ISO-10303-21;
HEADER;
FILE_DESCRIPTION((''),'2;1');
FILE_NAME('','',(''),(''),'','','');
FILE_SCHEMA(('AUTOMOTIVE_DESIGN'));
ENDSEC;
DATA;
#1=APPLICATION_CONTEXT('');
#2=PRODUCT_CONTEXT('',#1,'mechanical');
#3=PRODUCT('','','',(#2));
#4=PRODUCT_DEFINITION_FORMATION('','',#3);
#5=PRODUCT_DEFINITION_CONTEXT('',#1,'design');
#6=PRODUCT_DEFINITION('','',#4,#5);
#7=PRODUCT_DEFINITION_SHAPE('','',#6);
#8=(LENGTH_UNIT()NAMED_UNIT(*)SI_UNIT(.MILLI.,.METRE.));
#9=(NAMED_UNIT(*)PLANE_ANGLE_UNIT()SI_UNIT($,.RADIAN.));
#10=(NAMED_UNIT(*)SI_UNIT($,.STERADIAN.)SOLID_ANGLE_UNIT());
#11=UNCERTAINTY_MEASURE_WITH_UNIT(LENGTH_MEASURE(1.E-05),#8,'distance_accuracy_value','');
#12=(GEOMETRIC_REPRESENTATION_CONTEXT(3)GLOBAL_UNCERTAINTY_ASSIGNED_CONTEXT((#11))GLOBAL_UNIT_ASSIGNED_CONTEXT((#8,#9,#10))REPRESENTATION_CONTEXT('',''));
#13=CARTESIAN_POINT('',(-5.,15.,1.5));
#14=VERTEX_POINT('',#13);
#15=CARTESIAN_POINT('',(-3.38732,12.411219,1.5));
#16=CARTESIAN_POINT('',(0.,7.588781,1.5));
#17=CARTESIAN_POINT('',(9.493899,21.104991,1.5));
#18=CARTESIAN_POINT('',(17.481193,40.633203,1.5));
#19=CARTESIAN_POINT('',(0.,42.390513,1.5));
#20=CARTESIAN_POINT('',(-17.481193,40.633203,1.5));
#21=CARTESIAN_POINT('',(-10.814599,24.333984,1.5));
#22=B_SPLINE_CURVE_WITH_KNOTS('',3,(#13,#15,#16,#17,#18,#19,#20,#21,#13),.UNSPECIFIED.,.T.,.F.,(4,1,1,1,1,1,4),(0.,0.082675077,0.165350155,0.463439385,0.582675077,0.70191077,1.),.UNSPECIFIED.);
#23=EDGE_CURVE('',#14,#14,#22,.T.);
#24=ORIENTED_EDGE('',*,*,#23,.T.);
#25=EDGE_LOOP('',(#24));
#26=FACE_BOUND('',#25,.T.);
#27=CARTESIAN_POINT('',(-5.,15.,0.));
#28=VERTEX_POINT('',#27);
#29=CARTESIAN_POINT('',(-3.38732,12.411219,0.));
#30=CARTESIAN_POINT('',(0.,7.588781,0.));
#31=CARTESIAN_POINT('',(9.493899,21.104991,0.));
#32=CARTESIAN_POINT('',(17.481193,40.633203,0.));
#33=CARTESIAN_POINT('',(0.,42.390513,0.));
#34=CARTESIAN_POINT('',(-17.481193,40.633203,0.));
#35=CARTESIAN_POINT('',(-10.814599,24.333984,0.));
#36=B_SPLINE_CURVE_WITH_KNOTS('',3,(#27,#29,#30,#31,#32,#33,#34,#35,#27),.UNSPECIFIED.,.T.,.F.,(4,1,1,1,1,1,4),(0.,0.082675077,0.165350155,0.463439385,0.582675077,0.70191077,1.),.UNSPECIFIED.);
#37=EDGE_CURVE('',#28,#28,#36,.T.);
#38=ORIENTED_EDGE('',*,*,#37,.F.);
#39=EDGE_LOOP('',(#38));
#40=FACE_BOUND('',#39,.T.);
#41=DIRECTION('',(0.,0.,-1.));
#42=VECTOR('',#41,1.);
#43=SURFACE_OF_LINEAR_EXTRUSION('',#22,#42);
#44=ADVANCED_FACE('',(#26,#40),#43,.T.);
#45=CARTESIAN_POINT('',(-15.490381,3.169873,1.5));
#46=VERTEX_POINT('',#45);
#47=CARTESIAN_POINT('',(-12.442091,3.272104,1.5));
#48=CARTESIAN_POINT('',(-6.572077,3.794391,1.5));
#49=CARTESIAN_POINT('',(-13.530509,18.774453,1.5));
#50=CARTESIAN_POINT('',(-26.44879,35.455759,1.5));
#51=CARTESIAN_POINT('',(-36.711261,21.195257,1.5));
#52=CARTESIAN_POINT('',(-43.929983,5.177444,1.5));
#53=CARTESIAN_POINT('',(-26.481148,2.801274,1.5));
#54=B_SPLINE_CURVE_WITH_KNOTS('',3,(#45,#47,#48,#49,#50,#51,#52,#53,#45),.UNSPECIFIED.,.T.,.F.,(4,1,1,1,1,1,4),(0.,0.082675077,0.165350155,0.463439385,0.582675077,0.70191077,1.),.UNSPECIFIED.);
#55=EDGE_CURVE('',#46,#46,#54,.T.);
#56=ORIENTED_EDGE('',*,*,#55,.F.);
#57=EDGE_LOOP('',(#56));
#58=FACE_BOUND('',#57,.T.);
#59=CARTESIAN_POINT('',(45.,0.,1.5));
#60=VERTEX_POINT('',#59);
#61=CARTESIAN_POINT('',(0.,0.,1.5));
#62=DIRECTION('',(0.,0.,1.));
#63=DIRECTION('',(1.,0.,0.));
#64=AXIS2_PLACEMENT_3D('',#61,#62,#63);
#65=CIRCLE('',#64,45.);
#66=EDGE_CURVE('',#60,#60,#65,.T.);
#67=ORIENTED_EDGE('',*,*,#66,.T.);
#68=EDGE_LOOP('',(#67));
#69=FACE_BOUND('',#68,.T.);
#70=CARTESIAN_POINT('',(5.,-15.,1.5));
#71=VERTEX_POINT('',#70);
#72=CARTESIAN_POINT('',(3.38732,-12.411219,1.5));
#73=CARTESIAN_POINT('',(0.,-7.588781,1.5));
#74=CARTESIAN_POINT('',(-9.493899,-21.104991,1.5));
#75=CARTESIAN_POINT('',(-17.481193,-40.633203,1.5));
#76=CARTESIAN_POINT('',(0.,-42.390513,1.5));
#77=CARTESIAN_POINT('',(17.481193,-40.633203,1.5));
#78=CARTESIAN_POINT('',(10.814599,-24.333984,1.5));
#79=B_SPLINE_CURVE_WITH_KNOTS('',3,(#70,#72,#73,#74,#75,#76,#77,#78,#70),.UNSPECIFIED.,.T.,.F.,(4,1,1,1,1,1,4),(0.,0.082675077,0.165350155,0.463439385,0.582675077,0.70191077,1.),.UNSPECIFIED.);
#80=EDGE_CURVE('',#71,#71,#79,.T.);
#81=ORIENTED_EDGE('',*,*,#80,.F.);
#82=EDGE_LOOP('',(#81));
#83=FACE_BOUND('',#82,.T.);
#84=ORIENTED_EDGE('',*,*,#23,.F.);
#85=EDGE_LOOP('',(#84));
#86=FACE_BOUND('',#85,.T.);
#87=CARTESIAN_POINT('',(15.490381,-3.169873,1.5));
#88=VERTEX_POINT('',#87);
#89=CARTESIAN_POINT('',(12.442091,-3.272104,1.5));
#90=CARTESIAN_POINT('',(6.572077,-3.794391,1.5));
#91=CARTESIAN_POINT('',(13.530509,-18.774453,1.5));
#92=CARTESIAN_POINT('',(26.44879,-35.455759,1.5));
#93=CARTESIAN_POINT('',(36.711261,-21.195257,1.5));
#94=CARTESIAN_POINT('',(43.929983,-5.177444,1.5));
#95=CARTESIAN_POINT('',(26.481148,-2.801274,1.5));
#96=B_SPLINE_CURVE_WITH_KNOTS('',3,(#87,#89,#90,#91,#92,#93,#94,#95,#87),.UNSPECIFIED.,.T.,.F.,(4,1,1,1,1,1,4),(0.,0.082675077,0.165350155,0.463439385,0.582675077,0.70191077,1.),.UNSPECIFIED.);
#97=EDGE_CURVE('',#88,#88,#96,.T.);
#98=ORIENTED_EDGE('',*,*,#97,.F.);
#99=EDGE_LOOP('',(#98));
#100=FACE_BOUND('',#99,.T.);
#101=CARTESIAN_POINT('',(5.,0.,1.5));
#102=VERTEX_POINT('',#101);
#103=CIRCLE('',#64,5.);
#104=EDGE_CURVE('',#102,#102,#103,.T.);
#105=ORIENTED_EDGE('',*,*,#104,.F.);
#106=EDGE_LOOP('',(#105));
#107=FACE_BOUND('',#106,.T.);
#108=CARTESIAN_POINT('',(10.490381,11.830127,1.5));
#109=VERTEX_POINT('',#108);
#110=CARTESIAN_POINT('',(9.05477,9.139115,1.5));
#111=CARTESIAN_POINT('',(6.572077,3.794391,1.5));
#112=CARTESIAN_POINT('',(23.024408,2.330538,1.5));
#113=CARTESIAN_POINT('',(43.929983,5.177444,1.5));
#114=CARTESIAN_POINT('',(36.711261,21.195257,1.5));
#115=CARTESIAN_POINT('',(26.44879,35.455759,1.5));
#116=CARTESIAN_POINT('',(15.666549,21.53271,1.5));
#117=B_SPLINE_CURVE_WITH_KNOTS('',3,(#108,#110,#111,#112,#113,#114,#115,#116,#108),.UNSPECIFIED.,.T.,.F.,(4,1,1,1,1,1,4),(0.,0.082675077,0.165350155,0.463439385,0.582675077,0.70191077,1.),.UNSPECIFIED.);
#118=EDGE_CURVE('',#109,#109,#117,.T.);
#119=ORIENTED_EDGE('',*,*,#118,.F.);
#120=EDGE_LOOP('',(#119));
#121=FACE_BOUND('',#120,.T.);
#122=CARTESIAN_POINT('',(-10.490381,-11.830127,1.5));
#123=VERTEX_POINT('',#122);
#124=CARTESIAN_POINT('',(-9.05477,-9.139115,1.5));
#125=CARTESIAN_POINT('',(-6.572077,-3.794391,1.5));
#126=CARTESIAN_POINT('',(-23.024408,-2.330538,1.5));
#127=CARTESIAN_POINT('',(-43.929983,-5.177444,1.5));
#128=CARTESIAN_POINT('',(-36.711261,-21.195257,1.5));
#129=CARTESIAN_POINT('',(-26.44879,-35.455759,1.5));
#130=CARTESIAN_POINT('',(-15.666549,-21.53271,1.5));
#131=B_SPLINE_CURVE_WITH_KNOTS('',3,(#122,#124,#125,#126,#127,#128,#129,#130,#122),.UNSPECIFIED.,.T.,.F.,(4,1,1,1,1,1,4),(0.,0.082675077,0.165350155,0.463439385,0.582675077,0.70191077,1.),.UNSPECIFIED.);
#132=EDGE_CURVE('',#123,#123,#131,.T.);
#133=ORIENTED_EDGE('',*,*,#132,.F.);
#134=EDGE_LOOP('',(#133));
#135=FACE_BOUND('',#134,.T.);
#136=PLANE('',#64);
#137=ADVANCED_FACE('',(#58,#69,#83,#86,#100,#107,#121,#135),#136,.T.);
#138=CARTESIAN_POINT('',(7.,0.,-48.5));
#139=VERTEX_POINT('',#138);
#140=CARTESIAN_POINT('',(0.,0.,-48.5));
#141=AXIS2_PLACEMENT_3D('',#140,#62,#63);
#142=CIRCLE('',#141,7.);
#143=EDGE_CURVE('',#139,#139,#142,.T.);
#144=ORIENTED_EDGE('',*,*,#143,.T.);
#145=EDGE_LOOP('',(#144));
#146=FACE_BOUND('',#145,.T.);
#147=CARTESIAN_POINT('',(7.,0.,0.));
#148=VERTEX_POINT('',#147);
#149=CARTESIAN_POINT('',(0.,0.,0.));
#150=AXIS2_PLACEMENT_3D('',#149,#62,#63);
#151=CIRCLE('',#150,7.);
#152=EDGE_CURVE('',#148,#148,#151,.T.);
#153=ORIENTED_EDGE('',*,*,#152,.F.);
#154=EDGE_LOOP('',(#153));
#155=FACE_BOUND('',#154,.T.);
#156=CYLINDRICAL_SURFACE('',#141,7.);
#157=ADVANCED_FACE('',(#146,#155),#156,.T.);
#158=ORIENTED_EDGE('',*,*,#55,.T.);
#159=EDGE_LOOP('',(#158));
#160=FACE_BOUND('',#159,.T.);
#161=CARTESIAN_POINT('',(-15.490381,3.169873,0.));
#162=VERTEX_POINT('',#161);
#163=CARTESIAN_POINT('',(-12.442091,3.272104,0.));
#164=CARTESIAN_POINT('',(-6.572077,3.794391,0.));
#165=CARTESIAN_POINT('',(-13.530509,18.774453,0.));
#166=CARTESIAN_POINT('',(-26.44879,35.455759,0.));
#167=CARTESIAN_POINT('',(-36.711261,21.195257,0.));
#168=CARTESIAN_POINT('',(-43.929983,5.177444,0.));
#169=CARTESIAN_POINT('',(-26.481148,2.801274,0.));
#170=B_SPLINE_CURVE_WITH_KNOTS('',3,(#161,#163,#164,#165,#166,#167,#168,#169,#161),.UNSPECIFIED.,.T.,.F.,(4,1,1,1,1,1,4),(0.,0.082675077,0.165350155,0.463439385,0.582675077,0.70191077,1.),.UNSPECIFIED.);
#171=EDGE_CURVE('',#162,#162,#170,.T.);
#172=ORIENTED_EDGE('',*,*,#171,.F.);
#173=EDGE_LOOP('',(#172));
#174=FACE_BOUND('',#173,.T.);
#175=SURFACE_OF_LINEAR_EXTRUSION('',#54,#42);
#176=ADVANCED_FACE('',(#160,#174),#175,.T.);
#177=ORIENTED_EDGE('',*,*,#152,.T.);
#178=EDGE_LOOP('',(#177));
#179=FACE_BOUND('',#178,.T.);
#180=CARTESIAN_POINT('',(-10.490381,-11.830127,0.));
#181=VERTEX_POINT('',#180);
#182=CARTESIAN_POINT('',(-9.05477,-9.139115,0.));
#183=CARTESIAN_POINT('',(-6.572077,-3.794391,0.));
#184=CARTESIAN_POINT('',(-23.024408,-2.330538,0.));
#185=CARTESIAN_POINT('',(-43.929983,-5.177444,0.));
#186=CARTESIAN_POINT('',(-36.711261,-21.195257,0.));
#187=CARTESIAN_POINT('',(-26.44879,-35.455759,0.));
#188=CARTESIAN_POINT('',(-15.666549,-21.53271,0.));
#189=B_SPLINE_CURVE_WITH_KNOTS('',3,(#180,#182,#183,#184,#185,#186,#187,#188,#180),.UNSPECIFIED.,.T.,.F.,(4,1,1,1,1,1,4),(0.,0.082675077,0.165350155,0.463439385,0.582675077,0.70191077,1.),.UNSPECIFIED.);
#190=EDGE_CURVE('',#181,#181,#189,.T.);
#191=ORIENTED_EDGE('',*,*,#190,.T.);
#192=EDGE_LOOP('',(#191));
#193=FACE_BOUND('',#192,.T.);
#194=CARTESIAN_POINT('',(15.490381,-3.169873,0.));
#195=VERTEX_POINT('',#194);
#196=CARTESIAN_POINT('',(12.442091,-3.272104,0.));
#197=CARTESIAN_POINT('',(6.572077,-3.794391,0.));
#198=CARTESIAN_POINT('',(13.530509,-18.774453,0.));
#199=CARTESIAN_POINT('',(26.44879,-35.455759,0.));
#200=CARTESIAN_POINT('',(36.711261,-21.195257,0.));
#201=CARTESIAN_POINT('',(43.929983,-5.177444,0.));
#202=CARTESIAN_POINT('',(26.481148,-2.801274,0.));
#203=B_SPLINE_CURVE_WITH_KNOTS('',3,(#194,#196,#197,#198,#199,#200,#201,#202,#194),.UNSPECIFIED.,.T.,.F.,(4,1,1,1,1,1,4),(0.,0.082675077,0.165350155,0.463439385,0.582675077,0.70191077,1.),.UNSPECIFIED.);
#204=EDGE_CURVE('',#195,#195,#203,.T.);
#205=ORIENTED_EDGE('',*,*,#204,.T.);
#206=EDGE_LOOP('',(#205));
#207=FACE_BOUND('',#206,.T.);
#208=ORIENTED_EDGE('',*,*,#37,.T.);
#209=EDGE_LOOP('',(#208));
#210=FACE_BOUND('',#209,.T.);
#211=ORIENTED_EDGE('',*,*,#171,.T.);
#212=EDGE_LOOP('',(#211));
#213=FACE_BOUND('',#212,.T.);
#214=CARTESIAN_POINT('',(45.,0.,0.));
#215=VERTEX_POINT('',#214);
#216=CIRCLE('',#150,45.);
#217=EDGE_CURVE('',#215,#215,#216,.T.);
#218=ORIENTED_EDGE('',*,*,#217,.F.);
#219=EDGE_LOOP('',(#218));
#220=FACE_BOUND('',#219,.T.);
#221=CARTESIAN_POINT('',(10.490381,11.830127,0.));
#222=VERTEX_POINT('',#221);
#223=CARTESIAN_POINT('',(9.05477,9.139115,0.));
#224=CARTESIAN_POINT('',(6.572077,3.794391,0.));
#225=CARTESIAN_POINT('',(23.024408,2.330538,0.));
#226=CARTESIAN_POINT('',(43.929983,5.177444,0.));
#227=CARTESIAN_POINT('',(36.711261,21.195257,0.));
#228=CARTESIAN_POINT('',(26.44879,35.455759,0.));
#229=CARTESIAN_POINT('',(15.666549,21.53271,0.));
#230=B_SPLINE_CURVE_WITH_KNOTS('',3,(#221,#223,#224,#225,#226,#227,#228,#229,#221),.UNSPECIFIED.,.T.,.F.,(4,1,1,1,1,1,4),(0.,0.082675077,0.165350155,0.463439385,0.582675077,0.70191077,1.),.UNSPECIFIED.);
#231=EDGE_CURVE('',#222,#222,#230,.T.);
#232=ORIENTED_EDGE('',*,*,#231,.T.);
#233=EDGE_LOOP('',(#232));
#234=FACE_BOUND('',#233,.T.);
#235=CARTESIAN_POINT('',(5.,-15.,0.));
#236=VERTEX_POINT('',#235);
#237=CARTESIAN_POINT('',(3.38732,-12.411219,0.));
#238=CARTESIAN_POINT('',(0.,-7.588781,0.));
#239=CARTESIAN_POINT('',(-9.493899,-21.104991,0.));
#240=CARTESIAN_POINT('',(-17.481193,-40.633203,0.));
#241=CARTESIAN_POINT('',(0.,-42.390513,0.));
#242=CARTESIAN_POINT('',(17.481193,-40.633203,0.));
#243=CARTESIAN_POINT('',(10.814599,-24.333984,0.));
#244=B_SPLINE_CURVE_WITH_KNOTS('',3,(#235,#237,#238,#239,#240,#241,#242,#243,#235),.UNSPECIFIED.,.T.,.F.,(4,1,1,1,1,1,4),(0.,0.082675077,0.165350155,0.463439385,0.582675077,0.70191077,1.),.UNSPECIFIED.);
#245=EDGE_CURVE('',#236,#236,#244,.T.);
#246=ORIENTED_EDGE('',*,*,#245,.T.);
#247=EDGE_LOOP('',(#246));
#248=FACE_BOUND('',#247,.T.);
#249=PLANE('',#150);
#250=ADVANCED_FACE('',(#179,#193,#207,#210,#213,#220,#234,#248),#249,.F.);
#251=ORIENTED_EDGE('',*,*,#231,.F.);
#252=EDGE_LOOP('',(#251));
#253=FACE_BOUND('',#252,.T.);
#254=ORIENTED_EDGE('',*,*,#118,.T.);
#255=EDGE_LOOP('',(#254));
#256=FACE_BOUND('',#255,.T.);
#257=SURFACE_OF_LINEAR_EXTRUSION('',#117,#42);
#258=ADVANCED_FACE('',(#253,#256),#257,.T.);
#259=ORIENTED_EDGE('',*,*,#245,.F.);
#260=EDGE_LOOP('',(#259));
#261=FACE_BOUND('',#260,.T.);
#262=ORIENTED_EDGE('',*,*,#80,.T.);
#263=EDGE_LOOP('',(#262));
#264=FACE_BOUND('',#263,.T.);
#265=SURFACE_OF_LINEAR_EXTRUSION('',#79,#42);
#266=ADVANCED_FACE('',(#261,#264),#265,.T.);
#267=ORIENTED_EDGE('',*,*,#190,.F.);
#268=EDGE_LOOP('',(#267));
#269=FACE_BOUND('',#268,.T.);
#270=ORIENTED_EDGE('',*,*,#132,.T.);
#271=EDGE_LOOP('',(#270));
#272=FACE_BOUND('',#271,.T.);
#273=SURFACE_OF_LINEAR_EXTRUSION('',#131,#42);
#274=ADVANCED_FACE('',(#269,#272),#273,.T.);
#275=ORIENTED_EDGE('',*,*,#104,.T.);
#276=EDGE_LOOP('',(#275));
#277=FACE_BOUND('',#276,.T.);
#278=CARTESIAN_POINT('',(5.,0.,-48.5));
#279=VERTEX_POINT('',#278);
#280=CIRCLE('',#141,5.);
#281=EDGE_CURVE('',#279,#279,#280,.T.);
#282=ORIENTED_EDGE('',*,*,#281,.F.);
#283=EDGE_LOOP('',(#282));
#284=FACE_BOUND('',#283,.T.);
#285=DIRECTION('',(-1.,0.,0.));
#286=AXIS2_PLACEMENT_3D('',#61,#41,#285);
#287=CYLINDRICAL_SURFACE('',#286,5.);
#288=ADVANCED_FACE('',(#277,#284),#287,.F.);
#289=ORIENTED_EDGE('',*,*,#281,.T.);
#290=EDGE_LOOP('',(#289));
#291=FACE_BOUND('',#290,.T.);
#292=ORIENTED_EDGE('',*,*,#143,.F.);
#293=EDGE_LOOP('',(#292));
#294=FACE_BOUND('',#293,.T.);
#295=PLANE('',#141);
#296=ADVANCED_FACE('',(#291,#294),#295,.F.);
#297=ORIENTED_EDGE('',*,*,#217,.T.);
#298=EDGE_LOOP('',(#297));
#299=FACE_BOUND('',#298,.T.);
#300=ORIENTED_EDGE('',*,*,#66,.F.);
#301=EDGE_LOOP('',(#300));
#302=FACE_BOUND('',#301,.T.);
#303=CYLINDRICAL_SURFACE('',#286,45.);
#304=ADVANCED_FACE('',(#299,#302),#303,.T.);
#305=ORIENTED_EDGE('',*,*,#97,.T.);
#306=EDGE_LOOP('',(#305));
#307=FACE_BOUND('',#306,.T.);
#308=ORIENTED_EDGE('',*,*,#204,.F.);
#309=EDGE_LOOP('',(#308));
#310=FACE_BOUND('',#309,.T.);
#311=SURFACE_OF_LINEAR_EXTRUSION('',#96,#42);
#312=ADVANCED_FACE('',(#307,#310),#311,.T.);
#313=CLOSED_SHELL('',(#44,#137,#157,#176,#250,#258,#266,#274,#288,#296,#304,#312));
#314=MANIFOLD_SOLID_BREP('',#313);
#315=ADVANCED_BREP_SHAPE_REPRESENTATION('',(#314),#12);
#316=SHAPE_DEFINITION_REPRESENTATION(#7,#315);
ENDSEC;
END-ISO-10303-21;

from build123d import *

# Parameters (mm, degrees)
SKETCH1_R           = 45
SKETCH1_R_2         = 5
BOSS_EXTRUDE1_DEPTH = 1.5
BOSS_EXTRUDE2_START = -50
SKETCH2_R           = 7
SKETCH2_R_2         = 5
BOSS_EXTRUDE2_DEPTH = 50


with BuildPart() as part:
    # Sketch1 → Boss-Extrude1 (new body)
    with BuildSketch(Plane.XY):
        Circle(SKETCH1_R)
        Circle(SKETCH1_R_2, mode=Mode.SUBTRACT)
        with BuildLine():
            add(Edge.make_bspline(
                [(-5, 15), (-10.81459924, 24.333983955), (-17.481193162, 40.633203209), (0, 42.390513369), (17.481193162, 40.633203209), (9.493898899, 21.104991056), (0, 7.588781366), (-3.38732033, 12.411218634), (-5, 15)],
                knots=[0, 0, 0, 0, 0.29808923, 0.417324923, 0.536560615, 0.834649845, 0.917324923, 1, 1, 1, 1], degree=3))
        make_face(mode=Mode.SUBTRACT)
        with BuildLine():
            add(Edge.make_bspline(
                [(10.490381057, 11.830127019), (15.666548661, 21.532709652), (26.448789635, 35.455758972), (36.711261457, 21.195256684), (43.929982797, 5.177444237), (23.024407851, 2.330537901), (6.572077447, 3.794390683), (9.054770464, 9.139114774), (10.490381057, 11.830127019)],
                knots=[0, 0, 0, 0, 0.29808923, 0.417324923, 0.536560615, 0.834649845, 0.917324923, 1, 1, 1, 1], degree=3))
        make_face(mode=Mode.SUBTRACT)
        with BuildLine():
            add(Edge.make_bspline(
                [(15.490381057, -3.169872981), (26.481147901, -2.801274304), (43.929982797, -5.177444237), (36.711261457, -21.195256684), (26.448789635, -35.455758972), (13.530508952, -18.774453155), (6.572077447, -3.794390683), (12.442090794, -3.27210386), (15.490381057, -3.169872981)],
                knots=[0, 0, 0, 0, 0.29808923, 0.417324923, 0.536560615, 0.834649845, 0.917324923, 1, 1, 1, 1], degree=3))
        make_face(mode=Mode.SUBTRACT)
        with BuildLine():
            add(Edge.make_bspline(
                [(5, -15), (10.81459924, -24.333983955), (17.481193162, -40.633203209), (0, -42.390513369), (-17.481193162, -40.633203209), (-9.493898899, -21.104991056), (0, -7.588781366), (3.38732033, -12.411218634), (5, -15)],
                knots=[0, 0, 0, 0, 0.29808923, 0.417324923, 0.536560615, 0.834649845, 0.917324923, 1, 1, 1, 1], degree=3))
        make_face(mode=Mode.SUBTRACT)
        with BuildLine():
            add(Edge.make_bspline(
                [(-10.490381057, -11.830127019), (-15.666548661, -21.532709652), (-26.448789635, -35.455758972), (-36.711261457, -21.195256684), (-43.929982797, -5.177444237), (-23.024407851, -2.330537901), (-6.572077447, -3.794390683), (-9.054770464, -9.139114774), (-10.490381057, -11.830127019)],
                knots=[0, 0, 0, 0, 0.29808923, 0.417324923, 0.536560615, 0.834649845, 0.917324923, 1, 1, 1, 1], degree=3))
        make_face(mode=Mode.SUBTRACT)
        with BuildLine():
            add(Edge.make_bspline(
                [(-15.490381057, 3.169872981), (-26.481147901, 2.801274304), (-43.929982797, 5.177444237), (-36.711261457, 21.195256684), (-26.448789635, 35.455758972), (-13.530508952, 18.774453155), (-6.572077447, 3.794390683), (-12.442090794, 3.27210386), (-15.490381057, 3.169872981)],
                knots=[0, 0, 0, 0, 0.29808923, 0.417324923, 0.536560615, 0.834649845, 0.917324923, 1, 1, 1, 1], degree=3))
        make_face(mode=Mode.SUBTRACT)
    extrude(amount=BOSS_EXTRUDE1_DEPTH)

    # Sketch2 → Boss-Extrude2 (add)
    with BuildSketch(Plane.XY.offset(1.5).offset(BOSS_EXTRUDE2_START)):
        Circle(SKETCH2_R)
        Circle(SKETCH2_R_2, mode=Mode.SUBTRACT)
    extrude(amount=BOSS_EXTRUDE2_DEPTH)


solid = part.part
